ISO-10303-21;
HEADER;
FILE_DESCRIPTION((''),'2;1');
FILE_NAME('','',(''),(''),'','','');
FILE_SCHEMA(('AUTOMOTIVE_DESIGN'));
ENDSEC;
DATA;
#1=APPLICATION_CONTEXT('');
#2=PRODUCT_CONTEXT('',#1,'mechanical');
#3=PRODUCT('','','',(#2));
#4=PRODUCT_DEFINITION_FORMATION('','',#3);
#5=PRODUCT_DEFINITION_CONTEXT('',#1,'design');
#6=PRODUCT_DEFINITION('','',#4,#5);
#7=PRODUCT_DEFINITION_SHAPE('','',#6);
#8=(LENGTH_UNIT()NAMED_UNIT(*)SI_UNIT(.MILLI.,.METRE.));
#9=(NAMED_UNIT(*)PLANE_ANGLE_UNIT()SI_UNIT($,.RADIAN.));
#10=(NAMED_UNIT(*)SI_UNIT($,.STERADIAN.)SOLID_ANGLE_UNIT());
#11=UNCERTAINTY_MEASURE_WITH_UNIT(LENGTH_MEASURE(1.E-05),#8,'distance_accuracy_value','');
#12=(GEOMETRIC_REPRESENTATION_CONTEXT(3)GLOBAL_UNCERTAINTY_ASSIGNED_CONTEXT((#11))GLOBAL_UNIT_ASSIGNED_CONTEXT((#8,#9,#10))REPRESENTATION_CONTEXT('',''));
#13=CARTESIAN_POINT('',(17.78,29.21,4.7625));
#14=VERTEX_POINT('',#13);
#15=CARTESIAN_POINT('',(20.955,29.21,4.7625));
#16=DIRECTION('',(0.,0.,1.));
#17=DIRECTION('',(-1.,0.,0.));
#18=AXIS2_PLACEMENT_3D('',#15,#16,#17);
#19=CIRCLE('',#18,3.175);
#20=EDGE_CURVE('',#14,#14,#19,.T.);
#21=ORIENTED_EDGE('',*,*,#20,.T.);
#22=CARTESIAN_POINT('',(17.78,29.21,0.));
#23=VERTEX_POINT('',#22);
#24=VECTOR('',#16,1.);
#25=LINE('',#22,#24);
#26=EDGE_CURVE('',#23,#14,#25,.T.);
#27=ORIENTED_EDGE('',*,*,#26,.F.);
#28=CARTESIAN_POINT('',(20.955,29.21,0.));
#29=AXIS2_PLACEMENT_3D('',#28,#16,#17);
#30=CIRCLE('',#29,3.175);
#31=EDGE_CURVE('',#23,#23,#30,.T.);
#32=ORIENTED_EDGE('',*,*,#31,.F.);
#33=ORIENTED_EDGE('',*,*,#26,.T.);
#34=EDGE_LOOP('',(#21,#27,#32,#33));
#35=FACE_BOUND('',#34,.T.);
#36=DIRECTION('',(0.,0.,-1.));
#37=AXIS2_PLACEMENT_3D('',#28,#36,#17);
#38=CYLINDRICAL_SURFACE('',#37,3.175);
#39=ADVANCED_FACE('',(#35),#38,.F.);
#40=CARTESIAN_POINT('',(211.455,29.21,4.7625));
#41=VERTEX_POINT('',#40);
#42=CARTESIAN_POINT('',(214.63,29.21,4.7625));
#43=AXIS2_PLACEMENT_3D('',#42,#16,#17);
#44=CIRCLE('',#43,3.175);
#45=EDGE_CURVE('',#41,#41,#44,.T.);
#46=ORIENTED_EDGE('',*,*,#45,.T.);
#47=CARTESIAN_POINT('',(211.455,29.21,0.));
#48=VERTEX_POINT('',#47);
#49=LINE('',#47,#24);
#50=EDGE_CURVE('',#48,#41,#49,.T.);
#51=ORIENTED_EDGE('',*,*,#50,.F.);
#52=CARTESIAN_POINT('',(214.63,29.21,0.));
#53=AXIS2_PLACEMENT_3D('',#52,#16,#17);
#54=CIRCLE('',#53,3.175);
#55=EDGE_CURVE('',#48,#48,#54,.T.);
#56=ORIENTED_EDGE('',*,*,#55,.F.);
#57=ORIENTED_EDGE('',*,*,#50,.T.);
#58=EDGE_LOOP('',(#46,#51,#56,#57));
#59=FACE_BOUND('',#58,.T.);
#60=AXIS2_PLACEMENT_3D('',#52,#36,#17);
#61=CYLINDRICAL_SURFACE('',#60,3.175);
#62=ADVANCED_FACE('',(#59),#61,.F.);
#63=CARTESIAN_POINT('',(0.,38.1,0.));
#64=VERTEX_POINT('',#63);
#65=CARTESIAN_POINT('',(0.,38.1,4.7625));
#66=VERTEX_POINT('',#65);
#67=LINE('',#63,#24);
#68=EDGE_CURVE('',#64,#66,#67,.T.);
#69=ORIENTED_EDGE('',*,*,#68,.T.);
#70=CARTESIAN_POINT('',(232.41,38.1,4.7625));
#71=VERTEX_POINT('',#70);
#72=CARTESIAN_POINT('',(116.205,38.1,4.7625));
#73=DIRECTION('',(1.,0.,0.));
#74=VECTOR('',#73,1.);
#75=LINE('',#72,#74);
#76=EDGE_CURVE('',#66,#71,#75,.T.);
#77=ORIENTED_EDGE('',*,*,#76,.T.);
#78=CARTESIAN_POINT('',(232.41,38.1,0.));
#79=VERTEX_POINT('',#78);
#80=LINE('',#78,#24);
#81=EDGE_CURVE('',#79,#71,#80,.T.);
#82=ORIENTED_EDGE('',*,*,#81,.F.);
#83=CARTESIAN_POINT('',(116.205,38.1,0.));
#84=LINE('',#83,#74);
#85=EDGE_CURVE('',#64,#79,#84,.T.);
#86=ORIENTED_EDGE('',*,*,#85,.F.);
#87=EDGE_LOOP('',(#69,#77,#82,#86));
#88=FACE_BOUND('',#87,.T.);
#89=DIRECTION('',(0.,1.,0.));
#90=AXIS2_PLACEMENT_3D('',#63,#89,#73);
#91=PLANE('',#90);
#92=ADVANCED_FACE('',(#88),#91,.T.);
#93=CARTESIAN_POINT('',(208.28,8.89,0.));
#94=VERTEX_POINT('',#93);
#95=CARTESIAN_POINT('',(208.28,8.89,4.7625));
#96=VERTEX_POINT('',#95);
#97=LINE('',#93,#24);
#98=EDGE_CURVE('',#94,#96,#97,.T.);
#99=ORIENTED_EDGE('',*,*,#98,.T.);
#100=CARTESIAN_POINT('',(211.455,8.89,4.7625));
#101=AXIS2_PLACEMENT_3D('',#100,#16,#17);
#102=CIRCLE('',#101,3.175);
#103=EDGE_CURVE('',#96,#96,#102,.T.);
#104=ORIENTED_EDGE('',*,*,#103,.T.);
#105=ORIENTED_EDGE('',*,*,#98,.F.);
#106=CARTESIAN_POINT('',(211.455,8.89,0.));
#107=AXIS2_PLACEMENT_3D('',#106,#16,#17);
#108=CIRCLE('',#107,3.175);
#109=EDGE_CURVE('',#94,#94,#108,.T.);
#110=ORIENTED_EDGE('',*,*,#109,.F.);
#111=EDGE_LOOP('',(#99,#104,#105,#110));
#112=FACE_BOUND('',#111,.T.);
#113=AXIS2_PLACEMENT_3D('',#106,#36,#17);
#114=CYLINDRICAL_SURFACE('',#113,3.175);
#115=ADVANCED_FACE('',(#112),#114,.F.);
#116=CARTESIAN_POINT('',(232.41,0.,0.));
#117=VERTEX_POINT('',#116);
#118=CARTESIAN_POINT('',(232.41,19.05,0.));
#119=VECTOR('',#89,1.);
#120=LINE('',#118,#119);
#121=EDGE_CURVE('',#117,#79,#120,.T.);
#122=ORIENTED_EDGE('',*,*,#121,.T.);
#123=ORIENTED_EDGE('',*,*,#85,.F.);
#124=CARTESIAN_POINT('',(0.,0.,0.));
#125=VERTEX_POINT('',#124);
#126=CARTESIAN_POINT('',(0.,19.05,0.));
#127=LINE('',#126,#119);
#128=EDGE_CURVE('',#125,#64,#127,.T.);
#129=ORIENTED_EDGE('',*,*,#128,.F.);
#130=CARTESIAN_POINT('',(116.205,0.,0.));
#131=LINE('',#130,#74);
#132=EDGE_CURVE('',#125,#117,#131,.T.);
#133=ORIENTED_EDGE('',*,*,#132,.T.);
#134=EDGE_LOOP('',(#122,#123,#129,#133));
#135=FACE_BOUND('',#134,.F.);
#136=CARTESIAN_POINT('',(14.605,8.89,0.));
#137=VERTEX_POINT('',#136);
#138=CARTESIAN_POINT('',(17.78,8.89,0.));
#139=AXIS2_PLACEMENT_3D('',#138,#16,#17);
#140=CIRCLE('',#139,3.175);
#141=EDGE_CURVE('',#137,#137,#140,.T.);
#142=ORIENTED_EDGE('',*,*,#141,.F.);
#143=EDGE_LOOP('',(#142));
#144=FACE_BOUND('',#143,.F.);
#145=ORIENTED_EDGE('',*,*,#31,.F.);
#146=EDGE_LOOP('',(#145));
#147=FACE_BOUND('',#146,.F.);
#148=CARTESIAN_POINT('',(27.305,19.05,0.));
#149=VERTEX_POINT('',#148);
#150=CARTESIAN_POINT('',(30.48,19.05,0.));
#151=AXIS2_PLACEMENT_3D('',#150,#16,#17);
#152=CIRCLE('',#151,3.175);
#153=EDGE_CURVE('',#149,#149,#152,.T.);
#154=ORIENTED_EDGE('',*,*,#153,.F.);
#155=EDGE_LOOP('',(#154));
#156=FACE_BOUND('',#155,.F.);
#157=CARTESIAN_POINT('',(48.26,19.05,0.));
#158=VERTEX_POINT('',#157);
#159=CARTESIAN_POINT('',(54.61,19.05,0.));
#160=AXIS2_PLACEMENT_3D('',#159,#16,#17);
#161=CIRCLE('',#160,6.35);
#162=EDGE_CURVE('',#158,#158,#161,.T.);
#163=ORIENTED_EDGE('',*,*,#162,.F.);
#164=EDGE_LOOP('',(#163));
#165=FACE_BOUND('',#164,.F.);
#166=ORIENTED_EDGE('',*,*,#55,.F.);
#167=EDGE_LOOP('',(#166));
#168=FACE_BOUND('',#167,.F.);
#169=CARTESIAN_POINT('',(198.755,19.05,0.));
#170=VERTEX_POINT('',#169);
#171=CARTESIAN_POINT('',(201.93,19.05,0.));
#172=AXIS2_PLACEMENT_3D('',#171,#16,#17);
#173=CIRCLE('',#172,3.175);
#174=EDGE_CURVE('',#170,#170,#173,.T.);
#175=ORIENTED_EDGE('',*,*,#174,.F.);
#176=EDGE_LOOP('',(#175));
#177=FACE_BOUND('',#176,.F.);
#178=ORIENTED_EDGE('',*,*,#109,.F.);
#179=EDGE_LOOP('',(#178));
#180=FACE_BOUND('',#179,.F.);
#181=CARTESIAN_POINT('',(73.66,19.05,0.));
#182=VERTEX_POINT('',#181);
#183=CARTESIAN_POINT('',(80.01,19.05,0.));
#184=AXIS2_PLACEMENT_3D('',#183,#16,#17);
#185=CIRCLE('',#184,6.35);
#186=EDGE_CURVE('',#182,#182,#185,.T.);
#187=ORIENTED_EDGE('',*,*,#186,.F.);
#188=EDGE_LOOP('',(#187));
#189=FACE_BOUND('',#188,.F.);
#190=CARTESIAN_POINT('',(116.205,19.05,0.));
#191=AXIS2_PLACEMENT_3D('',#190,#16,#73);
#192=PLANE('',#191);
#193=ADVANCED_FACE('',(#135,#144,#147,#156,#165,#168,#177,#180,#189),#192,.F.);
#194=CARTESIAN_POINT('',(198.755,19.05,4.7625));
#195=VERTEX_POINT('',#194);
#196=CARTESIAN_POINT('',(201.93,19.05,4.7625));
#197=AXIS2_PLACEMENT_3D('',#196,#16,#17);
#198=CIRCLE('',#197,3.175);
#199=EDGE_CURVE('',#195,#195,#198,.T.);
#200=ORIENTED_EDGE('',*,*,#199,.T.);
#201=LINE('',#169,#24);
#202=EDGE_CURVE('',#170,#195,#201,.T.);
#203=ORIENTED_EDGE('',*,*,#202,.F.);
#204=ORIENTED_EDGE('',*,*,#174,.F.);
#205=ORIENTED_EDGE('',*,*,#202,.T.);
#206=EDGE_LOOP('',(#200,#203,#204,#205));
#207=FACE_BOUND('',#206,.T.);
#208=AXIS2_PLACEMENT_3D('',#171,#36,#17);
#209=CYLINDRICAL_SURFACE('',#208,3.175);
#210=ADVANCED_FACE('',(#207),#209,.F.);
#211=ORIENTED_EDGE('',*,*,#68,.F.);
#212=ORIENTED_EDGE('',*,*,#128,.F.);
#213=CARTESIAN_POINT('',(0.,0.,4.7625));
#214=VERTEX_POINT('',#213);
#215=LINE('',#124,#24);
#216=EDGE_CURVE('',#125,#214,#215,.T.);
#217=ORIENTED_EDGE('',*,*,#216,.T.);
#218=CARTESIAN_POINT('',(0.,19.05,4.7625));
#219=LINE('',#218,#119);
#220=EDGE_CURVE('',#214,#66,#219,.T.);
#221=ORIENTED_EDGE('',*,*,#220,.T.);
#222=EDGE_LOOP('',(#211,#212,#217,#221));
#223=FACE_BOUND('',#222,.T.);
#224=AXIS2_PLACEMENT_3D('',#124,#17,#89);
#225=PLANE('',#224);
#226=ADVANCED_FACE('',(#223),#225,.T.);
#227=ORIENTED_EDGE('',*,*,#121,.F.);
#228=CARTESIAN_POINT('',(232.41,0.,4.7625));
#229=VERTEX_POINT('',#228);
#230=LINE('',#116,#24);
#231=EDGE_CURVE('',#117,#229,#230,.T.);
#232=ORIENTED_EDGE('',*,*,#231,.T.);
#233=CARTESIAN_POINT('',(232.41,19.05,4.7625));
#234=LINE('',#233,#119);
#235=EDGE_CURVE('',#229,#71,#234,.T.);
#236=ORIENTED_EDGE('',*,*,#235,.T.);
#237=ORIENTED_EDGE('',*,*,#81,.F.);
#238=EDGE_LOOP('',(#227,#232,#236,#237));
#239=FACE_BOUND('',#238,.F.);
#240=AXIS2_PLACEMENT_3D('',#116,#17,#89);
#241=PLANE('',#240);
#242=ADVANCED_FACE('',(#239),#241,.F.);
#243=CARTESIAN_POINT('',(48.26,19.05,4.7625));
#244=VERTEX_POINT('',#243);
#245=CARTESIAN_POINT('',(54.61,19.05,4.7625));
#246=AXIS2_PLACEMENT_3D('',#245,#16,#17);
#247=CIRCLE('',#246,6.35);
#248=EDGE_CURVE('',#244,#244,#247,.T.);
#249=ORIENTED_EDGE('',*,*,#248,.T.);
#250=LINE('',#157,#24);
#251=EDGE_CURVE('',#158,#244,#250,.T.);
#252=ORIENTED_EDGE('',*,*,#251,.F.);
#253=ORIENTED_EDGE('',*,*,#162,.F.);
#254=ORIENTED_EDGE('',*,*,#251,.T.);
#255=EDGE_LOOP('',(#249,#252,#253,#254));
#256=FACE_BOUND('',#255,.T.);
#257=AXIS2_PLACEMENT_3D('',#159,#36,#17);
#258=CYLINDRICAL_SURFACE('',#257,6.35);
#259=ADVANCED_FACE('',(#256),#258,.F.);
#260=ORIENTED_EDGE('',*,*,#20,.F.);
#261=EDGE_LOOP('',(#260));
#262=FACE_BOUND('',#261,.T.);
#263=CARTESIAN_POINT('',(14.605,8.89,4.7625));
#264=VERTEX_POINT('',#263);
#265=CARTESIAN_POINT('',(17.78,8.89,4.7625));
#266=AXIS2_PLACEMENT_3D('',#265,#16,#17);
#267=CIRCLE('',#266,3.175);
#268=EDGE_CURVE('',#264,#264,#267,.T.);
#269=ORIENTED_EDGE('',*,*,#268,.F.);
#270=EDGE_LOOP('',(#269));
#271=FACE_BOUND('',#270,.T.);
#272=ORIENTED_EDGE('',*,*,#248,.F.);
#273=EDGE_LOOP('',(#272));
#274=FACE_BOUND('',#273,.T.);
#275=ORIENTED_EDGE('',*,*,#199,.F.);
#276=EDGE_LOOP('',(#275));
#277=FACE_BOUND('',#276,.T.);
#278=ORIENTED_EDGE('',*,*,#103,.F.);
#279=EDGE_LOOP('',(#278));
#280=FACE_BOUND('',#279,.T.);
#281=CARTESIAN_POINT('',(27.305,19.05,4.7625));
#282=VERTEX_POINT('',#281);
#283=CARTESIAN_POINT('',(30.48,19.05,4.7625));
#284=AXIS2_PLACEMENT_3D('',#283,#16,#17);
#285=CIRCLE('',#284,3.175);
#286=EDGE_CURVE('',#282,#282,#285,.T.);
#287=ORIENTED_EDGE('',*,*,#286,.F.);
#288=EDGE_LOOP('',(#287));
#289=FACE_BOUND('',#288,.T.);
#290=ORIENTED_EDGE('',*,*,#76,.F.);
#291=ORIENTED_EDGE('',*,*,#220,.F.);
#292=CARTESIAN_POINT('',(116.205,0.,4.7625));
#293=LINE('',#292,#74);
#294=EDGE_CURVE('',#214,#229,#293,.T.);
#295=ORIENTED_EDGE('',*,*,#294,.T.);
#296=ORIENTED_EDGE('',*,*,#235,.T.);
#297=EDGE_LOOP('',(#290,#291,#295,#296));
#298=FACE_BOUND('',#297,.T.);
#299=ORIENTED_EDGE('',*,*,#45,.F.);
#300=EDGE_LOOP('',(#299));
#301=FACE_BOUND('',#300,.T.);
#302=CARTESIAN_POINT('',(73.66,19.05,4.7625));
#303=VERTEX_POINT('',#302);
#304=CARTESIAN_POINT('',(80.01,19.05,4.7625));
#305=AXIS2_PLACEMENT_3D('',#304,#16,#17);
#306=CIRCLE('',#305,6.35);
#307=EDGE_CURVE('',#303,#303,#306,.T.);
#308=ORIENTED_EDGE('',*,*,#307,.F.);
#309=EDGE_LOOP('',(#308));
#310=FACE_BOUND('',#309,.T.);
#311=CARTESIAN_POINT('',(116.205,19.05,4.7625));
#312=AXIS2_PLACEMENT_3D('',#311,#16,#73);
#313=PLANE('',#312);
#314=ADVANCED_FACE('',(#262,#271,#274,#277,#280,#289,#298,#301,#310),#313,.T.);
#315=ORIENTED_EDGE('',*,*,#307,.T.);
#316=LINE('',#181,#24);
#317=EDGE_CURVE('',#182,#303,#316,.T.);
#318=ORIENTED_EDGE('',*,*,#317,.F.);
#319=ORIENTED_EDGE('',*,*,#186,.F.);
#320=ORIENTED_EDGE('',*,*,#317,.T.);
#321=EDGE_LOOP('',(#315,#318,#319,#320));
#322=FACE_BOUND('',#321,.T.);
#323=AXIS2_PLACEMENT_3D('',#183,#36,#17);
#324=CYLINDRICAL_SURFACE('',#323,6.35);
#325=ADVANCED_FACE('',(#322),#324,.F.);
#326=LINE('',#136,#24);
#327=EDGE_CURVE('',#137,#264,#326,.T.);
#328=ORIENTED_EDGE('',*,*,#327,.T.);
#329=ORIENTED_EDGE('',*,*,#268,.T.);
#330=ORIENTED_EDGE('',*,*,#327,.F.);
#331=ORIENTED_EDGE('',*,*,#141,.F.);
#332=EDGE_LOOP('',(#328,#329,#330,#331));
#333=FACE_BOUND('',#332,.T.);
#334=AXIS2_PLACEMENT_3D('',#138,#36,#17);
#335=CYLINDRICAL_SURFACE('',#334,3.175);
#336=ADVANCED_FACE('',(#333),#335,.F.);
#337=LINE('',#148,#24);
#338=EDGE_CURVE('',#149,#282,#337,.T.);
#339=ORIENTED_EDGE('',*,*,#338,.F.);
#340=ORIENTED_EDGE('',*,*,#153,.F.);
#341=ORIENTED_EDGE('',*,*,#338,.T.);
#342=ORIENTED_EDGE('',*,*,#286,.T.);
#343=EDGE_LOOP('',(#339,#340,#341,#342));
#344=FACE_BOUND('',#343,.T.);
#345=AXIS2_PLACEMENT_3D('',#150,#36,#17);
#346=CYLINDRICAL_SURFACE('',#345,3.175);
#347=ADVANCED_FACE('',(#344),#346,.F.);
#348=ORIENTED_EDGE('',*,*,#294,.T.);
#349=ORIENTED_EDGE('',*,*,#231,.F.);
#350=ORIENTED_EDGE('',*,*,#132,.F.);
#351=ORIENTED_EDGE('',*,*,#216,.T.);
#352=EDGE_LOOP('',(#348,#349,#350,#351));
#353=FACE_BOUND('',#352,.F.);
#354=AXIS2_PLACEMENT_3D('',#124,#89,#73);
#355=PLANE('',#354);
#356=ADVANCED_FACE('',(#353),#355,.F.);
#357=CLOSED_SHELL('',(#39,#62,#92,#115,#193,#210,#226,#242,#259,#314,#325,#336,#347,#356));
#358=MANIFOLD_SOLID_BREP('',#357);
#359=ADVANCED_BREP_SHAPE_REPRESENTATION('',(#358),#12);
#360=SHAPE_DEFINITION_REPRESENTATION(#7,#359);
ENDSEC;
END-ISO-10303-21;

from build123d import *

# Parameters (mm, degrees)
SKETCH1_W           = 232.41
SKETCH1_H           = 38.1
SKETCH1_R           = 3.175
SKETCH1_R_2         = 6.35
BOSS_EXTRUDE1_DEPTH = 4.7625


with BuildPart() as part:
    # Sketch1 → Boss-Extrude1 (new body)
    with BuildSketch(Plane.XY):
        with Locations((116.205, 19.05)):
            Rectangle(SKETCH1_W, SKETCH1_H)
        with Locations(Location((30.48, 19.05, 0), (0, 0, 180))):
            Circle(SKETCH1_R, mode=Mode.SUBTRACT)
        with Locations(Location((80.01, 19.05, 0), (0, 0, 180))):
            Circle(SKETCH1_R_2, mode=Mode.SUBTRACT)
        with Locations(Location((20.955, 29.21, 0), (0, 0, 180))):
            Circle(SKETCH1_R, mode=Mode.SUBTRACT)
        with Locations(Location((17.78, 8.89, 0), (0, 0, 180))):
            Circle(SKETCH1_R, mode=Mode.SUBTRACT)
        with Locations(Location((214.63, 29.21, 0), (0, 0, 180))):
            Circle(SKETCH1_R, mode=Mode.SUBTRACT)
        with Locations(Location((201.93, 19.05, 0), (0, 0, 180))):
            Circle(SKETCH1_R, mode=Mode.SUBTRACT)
        with Locations(Location((211.455, 8.89, 0), (0, 0, 180))):
            Circle(SKETCH1_R, mode=Mode.SUBTRACT)
        with Locations(Location((54.61, 19.05, 0), (0, 0, 180))):
            Circle(SKETCH1_R_2, mode=Mode.SUBTRACT)
    extrude(amount=BOSS_EXTRUDE1_DEPTH)


solid = part.part
